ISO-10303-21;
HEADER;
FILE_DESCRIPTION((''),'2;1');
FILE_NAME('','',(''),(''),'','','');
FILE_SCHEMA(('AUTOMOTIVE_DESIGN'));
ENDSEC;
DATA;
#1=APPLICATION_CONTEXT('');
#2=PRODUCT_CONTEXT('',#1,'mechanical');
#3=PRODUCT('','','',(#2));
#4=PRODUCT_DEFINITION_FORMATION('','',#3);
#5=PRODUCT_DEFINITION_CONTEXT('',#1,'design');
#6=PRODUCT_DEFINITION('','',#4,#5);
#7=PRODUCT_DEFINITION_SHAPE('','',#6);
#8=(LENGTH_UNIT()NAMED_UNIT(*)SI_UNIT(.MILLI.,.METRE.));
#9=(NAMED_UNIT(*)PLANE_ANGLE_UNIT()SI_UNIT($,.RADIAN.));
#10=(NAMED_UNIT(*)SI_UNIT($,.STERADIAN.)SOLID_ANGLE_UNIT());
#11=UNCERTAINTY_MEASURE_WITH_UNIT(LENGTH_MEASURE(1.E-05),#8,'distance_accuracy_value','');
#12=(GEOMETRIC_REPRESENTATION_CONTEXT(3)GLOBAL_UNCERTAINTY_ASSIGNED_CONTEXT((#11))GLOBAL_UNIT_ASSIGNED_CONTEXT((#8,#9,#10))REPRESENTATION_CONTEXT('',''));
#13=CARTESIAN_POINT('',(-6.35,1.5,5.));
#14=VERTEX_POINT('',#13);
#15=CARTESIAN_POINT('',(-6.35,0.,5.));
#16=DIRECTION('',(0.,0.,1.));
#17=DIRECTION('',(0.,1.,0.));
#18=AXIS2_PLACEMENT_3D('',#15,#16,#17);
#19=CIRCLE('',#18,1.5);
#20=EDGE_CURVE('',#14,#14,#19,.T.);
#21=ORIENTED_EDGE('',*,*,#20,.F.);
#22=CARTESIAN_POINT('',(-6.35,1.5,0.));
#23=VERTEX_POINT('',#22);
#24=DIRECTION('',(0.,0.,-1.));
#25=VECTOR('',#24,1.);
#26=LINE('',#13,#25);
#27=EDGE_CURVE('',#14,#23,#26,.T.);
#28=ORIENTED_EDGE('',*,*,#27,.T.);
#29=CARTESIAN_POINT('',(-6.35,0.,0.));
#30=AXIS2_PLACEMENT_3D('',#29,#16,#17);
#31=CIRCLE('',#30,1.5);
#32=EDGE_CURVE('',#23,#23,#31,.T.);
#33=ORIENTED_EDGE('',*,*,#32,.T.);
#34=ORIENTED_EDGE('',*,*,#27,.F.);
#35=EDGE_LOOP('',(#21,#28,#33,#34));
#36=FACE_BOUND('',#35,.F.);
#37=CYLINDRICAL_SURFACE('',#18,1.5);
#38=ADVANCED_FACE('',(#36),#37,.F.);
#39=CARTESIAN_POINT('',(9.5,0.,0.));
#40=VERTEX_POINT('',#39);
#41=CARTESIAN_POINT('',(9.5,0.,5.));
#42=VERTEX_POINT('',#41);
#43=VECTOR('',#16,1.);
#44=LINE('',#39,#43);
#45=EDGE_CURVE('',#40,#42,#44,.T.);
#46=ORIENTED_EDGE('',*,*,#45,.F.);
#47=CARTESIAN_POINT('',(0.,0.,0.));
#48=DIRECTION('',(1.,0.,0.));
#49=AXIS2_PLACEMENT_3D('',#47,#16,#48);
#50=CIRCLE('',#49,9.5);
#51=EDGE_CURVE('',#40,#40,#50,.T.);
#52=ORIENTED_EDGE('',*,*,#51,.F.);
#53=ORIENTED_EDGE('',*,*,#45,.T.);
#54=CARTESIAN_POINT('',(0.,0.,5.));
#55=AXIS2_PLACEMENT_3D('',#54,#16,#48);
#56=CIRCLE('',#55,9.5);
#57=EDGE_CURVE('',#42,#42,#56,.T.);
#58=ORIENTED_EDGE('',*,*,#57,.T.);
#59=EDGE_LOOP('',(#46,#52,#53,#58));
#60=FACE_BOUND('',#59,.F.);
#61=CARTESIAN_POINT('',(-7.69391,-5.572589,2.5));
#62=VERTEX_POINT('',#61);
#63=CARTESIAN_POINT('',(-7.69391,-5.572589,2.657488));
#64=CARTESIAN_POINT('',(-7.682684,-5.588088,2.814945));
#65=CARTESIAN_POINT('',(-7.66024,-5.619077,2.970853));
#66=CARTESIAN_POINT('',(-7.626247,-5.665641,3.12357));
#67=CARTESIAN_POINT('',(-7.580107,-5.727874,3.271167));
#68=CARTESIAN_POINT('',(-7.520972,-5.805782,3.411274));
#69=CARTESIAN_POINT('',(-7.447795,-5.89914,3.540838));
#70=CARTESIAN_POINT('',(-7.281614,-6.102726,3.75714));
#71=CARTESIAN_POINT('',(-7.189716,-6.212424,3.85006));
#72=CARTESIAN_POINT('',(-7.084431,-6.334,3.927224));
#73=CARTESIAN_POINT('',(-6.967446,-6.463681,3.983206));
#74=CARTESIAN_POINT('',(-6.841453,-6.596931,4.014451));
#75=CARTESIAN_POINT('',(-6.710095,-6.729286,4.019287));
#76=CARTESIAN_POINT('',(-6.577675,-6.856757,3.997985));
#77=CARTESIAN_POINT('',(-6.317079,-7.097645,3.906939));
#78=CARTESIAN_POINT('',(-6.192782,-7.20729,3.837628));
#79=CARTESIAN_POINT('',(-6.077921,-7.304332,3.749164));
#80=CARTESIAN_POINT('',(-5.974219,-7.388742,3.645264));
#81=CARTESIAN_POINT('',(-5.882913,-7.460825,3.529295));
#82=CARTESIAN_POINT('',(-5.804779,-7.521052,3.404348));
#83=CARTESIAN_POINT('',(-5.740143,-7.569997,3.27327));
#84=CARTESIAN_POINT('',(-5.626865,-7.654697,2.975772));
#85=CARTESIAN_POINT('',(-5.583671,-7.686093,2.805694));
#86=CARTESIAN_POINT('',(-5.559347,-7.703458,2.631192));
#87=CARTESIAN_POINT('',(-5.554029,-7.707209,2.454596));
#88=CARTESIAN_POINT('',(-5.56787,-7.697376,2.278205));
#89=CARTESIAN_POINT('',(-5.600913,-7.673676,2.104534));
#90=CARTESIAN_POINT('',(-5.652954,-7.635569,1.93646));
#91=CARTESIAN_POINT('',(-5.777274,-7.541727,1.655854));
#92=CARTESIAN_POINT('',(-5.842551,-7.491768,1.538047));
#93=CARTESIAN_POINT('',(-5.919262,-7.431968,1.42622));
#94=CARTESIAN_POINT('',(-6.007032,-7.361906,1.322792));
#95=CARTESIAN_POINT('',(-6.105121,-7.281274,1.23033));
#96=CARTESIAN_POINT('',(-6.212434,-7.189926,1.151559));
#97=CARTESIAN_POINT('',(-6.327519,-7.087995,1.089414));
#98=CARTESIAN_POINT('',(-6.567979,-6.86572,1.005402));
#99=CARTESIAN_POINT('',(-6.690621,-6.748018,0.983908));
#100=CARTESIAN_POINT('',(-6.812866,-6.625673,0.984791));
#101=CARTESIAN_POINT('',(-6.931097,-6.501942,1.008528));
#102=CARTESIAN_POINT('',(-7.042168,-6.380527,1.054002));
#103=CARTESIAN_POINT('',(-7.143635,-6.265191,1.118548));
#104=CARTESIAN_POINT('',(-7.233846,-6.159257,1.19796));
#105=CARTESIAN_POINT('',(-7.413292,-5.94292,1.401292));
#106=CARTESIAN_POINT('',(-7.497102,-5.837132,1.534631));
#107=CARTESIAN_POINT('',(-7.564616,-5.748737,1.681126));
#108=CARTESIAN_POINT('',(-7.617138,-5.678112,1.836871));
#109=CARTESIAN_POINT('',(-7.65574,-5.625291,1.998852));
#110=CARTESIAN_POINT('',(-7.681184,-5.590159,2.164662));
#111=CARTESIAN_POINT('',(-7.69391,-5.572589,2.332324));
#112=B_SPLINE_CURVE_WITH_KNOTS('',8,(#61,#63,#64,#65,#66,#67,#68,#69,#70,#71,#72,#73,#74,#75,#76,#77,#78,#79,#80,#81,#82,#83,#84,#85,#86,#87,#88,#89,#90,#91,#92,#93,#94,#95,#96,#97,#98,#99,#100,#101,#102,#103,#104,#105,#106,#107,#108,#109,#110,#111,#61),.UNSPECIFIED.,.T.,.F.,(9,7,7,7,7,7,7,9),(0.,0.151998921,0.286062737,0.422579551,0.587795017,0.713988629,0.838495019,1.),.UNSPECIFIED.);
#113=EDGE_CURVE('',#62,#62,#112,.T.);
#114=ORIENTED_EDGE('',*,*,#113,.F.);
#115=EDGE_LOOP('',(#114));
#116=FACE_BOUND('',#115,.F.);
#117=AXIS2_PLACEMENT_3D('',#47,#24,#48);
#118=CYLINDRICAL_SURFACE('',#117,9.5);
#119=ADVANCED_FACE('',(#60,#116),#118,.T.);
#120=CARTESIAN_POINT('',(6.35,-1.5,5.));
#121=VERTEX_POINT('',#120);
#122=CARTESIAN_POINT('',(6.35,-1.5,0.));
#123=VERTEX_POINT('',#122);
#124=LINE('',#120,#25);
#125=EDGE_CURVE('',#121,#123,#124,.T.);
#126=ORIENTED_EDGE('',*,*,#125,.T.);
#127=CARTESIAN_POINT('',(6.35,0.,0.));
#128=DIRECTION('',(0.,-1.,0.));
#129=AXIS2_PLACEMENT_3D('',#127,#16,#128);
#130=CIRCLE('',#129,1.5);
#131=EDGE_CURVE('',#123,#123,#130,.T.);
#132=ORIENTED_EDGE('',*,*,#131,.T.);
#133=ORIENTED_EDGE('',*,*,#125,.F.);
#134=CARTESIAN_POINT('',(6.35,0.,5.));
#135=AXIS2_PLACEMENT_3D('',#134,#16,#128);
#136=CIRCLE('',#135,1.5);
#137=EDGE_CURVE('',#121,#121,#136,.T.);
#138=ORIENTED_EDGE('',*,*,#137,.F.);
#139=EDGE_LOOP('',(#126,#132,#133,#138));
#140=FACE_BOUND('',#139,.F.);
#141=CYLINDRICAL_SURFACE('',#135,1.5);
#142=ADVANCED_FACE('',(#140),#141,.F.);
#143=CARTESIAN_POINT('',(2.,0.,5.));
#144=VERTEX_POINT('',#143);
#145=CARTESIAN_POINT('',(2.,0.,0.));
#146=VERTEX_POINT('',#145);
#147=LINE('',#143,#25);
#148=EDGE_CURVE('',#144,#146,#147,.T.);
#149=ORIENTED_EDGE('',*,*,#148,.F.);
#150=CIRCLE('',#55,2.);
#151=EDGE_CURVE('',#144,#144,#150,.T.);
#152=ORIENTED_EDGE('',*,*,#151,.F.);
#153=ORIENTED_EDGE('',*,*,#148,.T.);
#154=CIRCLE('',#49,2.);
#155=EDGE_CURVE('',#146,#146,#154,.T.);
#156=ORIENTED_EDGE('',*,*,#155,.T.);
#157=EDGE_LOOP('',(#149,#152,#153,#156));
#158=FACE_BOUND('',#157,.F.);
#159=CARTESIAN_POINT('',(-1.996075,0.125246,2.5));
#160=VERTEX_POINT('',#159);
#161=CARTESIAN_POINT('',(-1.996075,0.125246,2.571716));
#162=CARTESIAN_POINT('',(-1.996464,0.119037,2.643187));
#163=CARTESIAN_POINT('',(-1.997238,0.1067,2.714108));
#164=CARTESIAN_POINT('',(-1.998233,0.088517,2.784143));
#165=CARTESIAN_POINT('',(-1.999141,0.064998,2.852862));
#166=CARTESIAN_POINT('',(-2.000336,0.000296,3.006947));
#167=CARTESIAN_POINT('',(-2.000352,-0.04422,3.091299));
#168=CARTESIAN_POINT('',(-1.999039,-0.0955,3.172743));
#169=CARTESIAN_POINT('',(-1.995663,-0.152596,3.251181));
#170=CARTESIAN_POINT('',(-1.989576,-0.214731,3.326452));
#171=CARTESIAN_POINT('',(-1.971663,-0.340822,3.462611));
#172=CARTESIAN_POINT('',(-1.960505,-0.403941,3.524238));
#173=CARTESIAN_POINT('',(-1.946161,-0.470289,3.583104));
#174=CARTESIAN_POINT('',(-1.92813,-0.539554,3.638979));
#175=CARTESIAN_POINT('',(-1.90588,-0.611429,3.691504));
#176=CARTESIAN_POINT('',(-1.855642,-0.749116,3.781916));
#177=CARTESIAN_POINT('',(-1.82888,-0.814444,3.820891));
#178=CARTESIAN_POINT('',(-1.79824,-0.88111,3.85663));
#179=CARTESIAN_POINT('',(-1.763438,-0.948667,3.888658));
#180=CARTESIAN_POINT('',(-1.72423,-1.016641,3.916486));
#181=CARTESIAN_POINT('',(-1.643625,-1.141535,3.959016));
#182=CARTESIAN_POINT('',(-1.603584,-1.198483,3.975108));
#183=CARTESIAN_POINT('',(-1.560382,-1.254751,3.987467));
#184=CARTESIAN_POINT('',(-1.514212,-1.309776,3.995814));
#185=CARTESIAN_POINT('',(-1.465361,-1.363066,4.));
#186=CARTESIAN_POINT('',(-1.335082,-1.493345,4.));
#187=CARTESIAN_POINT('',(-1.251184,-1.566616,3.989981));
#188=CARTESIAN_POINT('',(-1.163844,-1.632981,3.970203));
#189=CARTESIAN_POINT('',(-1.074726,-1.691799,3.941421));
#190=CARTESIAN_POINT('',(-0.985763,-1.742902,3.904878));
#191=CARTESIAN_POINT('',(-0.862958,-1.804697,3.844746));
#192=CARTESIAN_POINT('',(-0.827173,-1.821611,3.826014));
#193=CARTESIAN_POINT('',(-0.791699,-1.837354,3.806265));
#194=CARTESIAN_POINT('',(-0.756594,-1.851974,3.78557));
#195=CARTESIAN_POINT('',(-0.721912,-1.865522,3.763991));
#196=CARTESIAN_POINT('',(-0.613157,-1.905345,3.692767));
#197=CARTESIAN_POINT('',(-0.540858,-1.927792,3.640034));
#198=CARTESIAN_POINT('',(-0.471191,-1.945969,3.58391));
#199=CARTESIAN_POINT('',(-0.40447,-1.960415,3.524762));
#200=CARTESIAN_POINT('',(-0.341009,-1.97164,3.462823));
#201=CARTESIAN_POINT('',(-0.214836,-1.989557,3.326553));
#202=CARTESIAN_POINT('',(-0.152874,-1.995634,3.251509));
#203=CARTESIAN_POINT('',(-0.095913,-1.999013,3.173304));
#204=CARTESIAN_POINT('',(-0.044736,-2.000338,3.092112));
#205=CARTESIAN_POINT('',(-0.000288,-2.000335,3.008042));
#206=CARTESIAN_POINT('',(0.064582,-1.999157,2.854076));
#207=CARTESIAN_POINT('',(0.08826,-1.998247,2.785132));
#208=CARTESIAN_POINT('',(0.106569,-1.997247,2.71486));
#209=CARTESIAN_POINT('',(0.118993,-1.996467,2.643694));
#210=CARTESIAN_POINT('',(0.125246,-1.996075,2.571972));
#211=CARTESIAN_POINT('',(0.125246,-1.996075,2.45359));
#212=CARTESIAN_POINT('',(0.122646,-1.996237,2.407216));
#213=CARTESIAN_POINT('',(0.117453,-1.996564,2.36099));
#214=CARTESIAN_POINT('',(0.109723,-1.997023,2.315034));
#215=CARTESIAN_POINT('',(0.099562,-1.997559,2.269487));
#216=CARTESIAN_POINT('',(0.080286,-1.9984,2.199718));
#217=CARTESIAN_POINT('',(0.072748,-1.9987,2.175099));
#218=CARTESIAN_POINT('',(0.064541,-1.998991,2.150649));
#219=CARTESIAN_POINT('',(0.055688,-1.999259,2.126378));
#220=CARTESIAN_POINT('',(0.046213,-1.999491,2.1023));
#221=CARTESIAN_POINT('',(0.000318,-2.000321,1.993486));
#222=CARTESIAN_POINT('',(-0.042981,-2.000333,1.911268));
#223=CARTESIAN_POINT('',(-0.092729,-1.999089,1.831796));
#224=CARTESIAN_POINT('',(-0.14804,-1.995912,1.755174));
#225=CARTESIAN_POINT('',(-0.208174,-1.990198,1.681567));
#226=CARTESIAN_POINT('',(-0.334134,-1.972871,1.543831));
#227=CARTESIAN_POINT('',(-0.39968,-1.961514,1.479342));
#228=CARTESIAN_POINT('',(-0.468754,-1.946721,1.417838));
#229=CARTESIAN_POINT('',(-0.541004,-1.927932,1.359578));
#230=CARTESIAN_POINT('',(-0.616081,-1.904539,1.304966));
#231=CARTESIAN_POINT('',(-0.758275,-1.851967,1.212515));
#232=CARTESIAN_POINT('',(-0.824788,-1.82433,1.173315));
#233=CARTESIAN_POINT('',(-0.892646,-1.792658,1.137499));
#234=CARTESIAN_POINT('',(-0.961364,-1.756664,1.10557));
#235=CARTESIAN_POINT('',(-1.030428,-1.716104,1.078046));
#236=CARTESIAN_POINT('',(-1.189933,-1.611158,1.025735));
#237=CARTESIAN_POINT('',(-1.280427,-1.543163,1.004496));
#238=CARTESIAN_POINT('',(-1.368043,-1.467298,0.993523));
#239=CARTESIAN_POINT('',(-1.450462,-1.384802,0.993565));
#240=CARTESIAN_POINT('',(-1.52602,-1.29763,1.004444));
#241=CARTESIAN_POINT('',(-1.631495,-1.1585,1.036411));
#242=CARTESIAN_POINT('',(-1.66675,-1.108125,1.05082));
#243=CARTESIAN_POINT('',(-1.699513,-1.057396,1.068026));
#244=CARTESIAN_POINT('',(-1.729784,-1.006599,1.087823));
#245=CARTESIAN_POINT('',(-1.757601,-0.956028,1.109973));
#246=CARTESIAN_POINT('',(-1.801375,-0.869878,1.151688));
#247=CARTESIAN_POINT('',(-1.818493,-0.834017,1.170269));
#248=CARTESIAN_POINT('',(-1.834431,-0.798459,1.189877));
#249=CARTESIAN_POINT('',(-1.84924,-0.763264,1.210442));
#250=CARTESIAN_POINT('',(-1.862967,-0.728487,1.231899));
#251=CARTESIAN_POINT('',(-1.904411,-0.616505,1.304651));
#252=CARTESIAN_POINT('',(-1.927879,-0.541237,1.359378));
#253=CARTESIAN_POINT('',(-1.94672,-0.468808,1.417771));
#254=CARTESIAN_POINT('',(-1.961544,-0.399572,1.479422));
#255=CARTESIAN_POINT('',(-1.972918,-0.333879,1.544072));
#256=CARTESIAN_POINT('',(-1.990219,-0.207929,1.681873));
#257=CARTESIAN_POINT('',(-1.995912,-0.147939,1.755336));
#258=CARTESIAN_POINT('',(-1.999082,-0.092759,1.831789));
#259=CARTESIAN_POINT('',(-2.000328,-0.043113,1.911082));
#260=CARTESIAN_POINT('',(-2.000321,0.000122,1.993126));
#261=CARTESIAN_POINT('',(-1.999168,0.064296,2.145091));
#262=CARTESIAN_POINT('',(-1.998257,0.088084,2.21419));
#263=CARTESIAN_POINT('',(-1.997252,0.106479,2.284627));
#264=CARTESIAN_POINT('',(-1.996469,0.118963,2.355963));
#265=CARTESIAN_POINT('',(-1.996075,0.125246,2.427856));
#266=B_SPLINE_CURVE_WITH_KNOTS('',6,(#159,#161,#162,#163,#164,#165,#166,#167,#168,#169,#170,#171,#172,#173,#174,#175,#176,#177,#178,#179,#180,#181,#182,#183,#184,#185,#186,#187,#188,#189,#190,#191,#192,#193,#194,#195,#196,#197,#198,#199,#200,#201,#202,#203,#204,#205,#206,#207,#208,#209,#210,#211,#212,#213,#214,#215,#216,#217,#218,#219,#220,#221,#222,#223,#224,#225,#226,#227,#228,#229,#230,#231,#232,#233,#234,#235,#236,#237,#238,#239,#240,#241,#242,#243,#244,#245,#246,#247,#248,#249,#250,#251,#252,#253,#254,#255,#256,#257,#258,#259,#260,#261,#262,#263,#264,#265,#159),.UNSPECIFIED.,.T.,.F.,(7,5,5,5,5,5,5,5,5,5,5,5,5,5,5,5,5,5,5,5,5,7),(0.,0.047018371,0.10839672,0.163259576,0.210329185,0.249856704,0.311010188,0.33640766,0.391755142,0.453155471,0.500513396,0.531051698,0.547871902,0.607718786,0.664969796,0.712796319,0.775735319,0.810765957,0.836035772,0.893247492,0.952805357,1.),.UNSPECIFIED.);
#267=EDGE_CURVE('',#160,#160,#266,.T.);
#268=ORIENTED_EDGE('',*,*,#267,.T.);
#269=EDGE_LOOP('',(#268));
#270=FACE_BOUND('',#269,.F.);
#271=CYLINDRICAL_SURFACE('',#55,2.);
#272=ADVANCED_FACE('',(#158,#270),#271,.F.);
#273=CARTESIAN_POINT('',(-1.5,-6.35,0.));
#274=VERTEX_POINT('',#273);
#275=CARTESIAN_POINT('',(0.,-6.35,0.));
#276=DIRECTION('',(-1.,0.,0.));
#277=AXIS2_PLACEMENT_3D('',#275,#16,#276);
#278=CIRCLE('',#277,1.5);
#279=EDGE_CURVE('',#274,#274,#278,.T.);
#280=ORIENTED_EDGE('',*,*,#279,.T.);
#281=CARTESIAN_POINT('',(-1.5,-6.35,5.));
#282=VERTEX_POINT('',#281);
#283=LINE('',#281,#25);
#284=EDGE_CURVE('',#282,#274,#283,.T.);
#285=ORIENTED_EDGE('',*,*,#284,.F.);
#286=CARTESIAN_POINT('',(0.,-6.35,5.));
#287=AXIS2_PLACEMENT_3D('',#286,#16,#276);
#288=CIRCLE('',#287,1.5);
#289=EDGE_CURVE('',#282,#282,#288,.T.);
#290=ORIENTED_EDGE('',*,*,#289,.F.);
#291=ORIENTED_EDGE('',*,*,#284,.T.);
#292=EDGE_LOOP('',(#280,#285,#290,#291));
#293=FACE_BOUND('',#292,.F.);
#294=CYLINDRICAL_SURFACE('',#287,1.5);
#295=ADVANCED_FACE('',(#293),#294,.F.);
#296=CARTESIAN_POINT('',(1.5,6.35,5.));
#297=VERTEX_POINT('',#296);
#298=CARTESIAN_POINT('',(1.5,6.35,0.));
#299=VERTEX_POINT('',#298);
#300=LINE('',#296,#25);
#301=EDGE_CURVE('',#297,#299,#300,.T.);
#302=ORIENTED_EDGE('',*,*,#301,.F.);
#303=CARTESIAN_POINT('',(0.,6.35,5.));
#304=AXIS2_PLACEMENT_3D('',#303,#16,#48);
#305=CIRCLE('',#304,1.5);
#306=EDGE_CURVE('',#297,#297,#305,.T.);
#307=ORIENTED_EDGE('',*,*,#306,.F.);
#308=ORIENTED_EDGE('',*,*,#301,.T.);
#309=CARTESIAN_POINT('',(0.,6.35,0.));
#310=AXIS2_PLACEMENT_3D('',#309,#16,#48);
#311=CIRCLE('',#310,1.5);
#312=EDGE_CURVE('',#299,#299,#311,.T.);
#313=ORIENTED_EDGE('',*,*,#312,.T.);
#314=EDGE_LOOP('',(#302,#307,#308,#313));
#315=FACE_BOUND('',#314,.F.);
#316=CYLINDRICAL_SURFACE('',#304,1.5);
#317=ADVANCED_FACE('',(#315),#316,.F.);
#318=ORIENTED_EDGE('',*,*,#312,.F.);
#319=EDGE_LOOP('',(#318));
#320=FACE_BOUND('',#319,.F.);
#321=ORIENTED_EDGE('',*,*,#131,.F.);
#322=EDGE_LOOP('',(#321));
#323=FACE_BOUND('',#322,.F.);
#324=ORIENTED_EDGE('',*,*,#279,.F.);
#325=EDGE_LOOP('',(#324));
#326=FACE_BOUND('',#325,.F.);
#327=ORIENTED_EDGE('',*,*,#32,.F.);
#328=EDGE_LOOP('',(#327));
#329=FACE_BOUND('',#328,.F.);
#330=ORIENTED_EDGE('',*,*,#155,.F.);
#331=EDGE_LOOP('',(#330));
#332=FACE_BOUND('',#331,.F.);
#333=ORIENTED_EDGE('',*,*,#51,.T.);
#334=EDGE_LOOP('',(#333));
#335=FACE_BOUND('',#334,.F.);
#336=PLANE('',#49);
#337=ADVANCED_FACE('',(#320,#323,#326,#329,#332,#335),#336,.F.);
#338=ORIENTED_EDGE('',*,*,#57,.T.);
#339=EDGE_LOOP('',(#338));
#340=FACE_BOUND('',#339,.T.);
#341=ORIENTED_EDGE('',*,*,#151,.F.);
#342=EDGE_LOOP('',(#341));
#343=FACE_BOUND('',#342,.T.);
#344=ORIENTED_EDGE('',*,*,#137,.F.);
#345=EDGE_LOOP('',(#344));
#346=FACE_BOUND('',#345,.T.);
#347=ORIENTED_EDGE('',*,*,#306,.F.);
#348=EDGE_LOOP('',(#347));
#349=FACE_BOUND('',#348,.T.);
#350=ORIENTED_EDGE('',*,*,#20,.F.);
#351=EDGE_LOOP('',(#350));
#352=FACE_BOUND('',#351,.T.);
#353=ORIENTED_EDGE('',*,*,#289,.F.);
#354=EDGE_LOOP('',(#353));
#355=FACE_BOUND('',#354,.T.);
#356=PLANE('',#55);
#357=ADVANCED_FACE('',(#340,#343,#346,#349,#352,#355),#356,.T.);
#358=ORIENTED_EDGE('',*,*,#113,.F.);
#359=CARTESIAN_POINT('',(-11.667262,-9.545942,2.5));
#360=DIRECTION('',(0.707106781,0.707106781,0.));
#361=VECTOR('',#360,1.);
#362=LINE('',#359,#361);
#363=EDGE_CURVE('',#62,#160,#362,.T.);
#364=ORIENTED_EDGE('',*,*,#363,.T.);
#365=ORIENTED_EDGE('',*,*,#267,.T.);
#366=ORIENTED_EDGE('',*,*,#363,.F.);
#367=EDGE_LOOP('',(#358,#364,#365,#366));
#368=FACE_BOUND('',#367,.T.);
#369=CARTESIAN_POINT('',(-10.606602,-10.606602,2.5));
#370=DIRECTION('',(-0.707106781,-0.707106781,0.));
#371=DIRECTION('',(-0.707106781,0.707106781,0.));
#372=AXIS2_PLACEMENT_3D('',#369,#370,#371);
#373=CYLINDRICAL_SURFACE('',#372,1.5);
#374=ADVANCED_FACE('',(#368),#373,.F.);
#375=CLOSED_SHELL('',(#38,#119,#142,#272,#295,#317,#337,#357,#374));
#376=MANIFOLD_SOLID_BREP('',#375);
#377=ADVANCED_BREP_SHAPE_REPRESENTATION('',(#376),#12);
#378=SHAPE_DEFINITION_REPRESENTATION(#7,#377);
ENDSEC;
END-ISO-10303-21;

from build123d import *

# Parameters (mm, degrees)
PAD001_DEPTH       = 10
SKETCH007_R        = 1.5
PAD002_DEPTH       = 15
SKETCH_R           = 9.5
PAD_DEPTH          = 5
SKETCH001_R        = 2
POCKET_DEPTH       = 5
SKETCH002_R        = 1.5
POCKET001_DEPTH    = 5
POLARPATTERN_COUNT = 4


with BuildPart() as body001:
    # Sketch006 → Pad001 (new body)
    with BuildSketch(Plane.XY):
        Polygon((-21.213203, 0), (0, -21.213203), (-21.213203, -21.213203), align=None)
    extrude(amount=PAD001_DEPTH)

    # Sketch007 (on Face1 of Pad001) → Pad002 (join)
    with BuildSketch(Plane(origin=(-10.606602, -10.606602, 0), x_dir=(-0.707107, 0.707107, 0), z_dir=(0.707107, 0.707107, 0))):
        with Locations((0, 2.5)):
            Circle(SKETCH007_R)
    extrude(amount=PAD002_DEPTH)


with BuildPart() as body:
    # Sketch → Pad (new body)
    with BuildSketch(Plane.XY):
        Circle(SKETCH_R)
    extrude(amount=PAD_DEPTH)

    # Sketch001 (on Face3 of Pad) → Pocket (cut)
    with BuildSketch(Plane.XY.offset(5)):
        Circle(SKETCH001_R)
    extrude(amount=-POCKET_DEPTH, mode=Mode.SUBTRACT)

    # Sketch002 (on Face3 of Pocket) → Pocket001 (cut)
    with BuildSketch(Plane.XY.offset(5)):
        with Locations((0, 6.35)):
            Circle(SKETCH002_R)
    pocket001 = extrude(amount=-POCKET001_DEPTH, mode=Mode.SUBTRACT)

    # PolarPattern: Pocket001 ×4 about axis
    polarpattern_axis = Axis((0, 0, 5), (0, 0, 1))
    for i in range(1, POLARPATTERN_COUNT):
        add(pocket001.rotate(polarpattern_axis, i * 360 / POLARPATTERN_COUNT), mode=Mode.SUBTRACT)

    # Boolean: cut Body001
    add(body001.part, mode=Mode.SUBTRACT)


solid = body.part
